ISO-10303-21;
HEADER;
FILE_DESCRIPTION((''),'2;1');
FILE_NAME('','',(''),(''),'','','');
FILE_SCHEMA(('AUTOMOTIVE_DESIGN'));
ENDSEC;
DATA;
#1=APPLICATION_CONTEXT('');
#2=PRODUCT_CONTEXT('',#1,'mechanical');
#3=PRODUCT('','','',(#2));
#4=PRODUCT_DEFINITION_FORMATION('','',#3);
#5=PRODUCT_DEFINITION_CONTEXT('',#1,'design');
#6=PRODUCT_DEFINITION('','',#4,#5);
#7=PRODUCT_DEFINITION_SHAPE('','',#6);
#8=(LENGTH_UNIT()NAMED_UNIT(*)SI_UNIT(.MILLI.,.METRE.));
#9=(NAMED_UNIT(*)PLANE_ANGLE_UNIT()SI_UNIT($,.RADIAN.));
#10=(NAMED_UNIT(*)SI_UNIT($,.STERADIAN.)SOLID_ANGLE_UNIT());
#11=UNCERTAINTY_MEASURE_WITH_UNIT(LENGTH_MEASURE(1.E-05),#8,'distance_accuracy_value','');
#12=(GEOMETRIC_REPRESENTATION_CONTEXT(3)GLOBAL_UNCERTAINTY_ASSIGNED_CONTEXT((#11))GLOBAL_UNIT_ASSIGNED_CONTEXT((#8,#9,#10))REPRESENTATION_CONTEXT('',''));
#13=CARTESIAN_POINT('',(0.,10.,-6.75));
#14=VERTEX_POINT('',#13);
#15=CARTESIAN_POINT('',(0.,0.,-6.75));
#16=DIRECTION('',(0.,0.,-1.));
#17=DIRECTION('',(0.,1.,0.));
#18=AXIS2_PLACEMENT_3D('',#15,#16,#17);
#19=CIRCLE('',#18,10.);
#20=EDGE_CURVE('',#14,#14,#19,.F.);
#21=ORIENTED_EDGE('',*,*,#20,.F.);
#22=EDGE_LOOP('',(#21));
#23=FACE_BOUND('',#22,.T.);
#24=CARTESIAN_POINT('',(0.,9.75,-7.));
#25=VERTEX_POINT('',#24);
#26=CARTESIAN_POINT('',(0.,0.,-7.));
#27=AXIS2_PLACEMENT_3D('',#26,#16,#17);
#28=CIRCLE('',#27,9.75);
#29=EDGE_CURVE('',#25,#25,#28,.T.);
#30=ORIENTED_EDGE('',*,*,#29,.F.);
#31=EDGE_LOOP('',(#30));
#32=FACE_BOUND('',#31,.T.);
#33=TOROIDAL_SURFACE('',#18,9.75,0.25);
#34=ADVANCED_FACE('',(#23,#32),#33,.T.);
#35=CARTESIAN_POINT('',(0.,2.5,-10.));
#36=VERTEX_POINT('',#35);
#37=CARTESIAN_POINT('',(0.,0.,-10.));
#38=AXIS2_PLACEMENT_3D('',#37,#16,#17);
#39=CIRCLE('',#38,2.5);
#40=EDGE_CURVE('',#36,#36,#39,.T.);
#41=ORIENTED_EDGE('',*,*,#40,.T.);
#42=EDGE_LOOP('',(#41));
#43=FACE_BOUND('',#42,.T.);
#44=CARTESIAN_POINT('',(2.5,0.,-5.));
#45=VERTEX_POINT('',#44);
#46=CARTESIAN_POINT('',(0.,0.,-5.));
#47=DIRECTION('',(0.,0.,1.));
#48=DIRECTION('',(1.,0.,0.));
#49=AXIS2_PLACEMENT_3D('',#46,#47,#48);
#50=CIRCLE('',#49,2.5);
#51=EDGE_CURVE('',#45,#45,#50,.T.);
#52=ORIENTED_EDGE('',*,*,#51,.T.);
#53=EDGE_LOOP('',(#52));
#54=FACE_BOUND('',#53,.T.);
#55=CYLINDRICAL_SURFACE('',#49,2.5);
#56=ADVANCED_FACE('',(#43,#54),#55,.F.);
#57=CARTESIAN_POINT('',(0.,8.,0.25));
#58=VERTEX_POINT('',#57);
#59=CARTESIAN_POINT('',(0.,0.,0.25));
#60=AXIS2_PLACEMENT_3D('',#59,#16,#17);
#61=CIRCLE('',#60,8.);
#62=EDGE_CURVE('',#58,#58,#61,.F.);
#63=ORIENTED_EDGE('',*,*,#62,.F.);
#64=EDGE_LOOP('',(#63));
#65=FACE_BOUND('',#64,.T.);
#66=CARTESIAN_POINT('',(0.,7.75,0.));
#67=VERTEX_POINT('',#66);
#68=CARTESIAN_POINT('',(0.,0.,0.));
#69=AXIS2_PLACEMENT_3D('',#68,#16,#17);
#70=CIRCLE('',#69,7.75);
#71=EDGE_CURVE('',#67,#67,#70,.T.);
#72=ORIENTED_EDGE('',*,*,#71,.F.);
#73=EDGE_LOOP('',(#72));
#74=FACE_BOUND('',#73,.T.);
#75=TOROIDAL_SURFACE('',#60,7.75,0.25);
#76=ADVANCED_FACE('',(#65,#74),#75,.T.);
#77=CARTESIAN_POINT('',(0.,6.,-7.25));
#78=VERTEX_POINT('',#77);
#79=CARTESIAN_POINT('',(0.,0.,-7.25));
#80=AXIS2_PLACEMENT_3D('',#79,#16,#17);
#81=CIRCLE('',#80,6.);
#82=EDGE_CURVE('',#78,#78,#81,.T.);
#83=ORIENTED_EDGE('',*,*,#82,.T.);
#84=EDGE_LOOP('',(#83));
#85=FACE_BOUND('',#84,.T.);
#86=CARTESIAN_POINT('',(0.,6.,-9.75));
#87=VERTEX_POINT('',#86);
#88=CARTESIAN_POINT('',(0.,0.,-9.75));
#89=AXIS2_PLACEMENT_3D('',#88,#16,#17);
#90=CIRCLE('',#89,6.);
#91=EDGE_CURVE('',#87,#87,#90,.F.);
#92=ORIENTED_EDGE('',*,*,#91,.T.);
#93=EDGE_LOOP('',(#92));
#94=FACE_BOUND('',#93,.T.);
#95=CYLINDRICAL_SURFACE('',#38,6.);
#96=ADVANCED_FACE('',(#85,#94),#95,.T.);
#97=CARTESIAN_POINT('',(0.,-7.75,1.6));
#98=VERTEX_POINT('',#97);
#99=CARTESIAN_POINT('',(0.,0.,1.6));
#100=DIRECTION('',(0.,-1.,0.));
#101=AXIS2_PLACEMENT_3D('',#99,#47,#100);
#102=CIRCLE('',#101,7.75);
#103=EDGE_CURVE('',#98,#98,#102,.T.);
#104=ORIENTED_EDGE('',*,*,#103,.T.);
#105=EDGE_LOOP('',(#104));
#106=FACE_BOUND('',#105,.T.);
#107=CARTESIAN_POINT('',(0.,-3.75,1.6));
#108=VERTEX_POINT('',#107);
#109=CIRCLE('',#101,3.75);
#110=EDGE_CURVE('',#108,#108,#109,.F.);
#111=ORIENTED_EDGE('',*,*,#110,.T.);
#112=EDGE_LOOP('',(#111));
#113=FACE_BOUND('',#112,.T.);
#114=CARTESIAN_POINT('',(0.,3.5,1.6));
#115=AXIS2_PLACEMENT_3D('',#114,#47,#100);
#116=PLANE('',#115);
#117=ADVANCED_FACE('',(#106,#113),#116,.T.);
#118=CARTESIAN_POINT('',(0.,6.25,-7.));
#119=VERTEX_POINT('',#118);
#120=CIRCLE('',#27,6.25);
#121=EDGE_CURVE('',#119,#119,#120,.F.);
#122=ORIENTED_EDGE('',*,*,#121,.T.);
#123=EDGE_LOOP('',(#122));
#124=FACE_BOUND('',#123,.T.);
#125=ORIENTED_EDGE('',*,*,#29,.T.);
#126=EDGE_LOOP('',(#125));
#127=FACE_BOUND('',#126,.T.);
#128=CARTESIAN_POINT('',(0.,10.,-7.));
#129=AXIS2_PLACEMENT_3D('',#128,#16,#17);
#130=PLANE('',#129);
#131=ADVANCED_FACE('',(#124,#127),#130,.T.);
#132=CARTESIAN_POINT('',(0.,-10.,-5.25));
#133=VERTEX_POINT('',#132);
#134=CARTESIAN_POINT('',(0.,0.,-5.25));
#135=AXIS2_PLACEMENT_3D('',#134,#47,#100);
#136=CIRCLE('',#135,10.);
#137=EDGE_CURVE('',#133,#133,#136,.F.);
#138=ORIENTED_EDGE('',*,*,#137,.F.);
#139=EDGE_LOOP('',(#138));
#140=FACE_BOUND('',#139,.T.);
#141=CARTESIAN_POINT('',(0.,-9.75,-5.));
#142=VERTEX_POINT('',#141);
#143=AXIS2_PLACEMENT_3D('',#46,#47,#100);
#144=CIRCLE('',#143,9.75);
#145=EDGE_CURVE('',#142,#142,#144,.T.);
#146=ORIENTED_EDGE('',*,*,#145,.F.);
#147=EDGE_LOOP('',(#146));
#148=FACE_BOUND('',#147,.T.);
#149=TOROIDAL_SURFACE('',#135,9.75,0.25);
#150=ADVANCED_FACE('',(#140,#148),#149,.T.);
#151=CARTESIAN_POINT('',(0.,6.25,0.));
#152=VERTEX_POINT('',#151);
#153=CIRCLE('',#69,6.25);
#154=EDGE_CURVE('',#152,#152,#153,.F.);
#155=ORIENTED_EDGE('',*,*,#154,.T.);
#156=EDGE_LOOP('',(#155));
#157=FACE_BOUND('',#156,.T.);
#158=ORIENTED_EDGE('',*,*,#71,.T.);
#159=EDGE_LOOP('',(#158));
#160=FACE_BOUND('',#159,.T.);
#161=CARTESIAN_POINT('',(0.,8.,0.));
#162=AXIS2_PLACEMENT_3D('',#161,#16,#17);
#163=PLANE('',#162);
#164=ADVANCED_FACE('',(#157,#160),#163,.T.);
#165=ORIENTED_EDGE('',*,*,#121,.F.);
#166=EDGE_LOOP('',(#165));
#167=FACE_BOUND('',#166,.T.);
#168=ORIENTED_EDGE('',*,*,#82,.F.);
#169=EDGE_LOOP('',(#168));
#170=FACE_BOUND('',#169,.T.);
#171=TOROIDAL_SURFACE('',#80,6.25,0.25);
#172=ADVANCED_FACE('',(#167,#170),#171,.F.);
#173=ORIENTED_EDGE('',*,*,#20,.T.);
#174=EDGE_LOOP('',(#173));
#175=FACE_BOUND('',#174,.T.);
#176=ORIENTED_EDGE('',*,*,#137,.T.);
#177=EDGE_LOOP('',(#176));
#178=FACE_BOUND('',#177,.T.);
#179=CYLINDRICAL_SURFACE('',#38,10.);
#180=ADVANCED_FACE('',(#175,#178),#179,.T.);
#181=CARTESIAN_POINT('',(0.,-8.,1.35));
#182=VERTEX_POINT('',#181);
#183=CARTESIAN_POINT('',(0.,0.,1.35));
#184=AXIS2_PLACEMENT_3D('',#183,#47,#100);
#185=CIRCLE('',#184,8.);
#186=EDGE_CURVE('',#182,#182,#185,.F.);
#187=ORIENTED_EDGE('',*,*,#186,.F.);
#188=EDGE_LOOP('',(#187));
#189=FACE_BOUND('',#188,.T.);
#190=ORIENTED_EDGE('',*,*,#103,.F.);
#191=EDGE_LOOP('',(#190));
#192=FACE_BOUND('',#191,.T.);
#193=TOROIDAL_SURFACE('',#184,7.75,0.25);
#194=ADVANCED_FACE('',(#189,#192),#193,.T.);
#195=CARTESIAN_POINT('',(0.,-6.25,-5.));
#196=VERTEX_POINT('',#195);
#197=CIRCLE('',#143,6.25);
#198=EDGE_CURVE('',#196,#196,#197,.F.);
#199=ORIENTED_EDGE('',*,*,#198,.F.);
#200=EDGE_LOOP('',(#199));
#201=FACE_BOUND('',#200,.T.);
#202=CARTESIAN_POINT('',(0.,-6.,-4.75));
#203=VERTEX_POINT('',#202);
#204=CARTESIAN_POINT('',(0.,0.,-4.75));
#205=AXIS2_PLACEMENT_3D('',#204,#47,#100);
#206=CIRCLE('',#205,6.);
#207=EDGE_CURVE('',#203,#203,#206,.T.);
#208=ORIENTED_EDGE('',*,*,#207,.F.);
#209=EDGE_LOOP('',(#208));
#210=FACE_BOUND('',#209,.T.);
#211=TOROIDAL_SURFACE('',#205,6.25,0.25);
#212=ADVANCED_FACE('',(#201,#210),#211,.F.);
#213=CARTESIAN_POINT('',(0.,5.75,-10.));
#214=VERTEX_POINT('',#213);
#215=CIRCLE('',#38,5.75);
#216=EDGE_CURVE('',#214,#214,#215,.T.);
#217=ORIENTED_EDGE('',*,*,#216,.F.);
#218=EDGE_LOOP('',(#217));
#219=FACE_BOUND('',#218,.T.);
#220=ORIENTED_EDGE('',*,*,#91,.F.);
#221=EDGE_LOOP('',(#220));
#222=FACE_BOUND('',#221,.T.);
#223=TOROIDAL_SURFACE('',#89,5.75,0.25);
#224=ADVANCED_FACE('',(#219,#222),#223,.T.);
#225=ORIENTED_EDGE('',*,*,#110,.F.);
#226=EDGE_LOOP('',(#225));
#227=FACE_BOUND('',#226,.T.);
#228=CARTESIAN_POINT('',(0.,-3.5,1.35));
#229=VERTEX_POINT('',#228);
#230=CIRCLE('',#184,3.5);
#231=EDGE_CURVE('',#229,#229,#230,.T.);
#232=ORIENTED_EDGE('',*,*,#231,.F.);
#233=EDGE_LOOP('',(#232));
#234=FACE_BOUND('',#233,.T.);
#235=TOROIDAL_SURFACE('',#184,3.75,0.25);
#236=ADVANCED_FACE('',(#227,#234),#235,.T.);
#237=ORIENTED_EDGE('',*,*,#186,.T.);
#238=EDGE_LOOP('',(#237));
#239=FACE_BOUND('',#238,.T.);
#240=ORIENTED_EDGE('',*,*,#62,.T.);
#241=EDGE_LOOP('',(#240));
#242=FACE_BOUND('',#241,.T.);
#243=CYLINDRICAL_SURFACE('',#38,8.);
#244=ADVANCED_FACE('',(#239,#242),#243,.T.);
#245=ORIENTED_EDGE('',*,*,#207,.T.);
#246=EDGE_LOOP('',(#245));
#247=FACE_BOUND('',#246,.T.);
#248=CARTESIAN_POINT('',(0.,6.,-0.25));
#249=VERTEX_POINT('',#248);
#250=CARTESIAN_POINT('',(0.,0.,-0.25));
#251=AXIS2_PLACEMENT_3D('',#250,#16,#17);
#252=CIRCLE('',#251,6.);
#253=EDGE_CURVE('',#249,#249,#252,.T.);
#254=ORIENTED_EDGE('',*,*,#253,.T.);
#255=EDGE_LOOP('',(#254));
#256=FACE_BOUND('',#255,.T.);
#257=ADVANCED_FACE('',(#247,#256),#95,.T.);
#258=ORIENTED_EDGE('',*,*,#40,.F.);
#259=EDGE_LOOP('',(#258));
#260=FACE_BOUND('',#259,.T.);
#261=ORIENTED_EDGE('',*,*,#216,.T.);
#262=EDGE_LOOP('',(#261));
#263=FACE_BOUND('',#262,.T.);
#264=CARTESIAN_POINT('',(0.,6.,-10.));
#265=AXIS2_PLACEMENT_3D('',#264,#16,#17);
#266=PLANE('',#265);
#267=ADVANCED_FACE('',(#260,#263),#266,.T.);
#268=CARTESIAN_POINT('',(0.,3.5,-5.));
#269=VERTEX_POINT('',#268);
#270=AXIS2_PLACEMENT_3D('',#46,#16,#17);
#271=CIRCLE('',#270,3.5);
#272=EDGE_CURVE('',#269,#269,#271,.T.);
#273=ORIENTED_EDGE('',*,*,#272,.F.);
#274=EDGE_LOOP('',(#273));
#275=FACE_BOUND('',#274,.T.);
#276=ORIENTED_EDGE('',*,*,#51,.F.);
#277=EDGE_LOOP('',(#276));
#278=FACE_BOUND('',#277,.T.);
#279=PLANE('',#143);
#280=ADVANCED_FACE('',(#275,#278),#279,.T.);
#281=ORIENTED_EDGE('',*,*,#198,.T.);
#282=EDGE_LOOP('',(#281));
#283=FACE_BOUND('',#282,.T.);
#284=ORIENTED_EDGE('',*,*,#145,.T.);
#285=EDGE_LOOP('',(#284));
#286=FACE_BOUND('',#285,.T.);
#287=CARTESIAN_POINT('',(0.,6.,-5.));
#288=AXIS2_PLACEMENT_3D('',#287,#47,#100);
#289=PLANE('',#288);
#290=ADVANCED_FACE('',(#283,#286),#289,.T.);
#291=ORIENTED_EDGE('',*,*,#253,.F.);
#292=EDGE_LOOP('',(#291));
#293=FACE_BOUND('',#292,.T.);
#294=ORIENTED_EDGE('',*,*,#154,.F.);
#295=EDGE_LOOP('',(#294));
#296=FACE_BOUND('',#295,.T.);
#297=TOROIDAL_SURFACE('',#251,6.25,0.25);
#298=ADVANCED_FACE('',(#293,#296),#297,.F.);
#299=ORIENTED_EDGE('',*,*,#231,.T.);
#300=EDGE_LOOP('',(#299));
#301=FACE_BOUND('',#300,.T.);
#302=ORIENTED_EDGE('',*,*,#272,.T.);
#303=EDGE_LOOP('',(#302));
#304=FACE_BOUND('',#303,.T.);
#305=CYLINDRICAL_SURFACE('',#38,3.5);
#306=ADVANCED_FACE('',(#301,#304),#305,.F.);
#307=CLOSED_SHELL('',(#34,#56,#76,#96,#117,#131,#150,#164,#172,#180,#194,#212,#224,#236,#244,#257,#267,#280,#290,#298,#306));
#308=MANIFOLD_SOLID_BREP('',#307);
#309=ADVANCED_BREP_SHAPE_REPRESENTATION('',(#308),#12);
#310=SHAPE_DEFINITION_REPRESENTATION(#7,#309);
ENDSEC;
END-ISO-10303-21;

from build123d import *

# Parameters (mm, degrees)
M6X1_0_TAPPED_HOLE1_D = 5
FILLET1_R             = 0.25


with BuildPart() as part:
    # Sketch1 → Revolve1 (revolve)
    with BuildSketch(Plane(origin=(0, 0, 0), x_dir=(0, 0, -1), z_dir=(1, 0, 0))):
        Polygon((0, 8), (0, 6), (5, 6), (5, 10), (7, 10), (7, 6), (10, 6), (10, 0), (5, 0), (5, 3.5), (-1.6, 3.5), (-1.6, 8), align=None)
    revolve(axis=Axis((0, 0, -10), (0, 0, 1)))

    # M6x1.0 Tapped Hole1 (through all)
    with Locations(Plane.XY.offset(-5)):
        with Locations((0, 0)):
            Hole(M6X1_0_TAPPED_HOLE1_D / 2)

    # Fillet1
    fillet1_edges = [part.edges().sort_by_distance(p)[0] for p in [
        (0, -6, -10),
        (0, -6, -7),
        (0, -10, -7),
        (0, -10, -5),
        (0, -6, -5),
        (0, -6, 0),
        (0, -8, 0),
        (0, -8, 1.6),
        (0, -3.5, 1.6),
    ]]
    fillet(fillet1_edges, radius=FILLET1_R)


solid = part.part
